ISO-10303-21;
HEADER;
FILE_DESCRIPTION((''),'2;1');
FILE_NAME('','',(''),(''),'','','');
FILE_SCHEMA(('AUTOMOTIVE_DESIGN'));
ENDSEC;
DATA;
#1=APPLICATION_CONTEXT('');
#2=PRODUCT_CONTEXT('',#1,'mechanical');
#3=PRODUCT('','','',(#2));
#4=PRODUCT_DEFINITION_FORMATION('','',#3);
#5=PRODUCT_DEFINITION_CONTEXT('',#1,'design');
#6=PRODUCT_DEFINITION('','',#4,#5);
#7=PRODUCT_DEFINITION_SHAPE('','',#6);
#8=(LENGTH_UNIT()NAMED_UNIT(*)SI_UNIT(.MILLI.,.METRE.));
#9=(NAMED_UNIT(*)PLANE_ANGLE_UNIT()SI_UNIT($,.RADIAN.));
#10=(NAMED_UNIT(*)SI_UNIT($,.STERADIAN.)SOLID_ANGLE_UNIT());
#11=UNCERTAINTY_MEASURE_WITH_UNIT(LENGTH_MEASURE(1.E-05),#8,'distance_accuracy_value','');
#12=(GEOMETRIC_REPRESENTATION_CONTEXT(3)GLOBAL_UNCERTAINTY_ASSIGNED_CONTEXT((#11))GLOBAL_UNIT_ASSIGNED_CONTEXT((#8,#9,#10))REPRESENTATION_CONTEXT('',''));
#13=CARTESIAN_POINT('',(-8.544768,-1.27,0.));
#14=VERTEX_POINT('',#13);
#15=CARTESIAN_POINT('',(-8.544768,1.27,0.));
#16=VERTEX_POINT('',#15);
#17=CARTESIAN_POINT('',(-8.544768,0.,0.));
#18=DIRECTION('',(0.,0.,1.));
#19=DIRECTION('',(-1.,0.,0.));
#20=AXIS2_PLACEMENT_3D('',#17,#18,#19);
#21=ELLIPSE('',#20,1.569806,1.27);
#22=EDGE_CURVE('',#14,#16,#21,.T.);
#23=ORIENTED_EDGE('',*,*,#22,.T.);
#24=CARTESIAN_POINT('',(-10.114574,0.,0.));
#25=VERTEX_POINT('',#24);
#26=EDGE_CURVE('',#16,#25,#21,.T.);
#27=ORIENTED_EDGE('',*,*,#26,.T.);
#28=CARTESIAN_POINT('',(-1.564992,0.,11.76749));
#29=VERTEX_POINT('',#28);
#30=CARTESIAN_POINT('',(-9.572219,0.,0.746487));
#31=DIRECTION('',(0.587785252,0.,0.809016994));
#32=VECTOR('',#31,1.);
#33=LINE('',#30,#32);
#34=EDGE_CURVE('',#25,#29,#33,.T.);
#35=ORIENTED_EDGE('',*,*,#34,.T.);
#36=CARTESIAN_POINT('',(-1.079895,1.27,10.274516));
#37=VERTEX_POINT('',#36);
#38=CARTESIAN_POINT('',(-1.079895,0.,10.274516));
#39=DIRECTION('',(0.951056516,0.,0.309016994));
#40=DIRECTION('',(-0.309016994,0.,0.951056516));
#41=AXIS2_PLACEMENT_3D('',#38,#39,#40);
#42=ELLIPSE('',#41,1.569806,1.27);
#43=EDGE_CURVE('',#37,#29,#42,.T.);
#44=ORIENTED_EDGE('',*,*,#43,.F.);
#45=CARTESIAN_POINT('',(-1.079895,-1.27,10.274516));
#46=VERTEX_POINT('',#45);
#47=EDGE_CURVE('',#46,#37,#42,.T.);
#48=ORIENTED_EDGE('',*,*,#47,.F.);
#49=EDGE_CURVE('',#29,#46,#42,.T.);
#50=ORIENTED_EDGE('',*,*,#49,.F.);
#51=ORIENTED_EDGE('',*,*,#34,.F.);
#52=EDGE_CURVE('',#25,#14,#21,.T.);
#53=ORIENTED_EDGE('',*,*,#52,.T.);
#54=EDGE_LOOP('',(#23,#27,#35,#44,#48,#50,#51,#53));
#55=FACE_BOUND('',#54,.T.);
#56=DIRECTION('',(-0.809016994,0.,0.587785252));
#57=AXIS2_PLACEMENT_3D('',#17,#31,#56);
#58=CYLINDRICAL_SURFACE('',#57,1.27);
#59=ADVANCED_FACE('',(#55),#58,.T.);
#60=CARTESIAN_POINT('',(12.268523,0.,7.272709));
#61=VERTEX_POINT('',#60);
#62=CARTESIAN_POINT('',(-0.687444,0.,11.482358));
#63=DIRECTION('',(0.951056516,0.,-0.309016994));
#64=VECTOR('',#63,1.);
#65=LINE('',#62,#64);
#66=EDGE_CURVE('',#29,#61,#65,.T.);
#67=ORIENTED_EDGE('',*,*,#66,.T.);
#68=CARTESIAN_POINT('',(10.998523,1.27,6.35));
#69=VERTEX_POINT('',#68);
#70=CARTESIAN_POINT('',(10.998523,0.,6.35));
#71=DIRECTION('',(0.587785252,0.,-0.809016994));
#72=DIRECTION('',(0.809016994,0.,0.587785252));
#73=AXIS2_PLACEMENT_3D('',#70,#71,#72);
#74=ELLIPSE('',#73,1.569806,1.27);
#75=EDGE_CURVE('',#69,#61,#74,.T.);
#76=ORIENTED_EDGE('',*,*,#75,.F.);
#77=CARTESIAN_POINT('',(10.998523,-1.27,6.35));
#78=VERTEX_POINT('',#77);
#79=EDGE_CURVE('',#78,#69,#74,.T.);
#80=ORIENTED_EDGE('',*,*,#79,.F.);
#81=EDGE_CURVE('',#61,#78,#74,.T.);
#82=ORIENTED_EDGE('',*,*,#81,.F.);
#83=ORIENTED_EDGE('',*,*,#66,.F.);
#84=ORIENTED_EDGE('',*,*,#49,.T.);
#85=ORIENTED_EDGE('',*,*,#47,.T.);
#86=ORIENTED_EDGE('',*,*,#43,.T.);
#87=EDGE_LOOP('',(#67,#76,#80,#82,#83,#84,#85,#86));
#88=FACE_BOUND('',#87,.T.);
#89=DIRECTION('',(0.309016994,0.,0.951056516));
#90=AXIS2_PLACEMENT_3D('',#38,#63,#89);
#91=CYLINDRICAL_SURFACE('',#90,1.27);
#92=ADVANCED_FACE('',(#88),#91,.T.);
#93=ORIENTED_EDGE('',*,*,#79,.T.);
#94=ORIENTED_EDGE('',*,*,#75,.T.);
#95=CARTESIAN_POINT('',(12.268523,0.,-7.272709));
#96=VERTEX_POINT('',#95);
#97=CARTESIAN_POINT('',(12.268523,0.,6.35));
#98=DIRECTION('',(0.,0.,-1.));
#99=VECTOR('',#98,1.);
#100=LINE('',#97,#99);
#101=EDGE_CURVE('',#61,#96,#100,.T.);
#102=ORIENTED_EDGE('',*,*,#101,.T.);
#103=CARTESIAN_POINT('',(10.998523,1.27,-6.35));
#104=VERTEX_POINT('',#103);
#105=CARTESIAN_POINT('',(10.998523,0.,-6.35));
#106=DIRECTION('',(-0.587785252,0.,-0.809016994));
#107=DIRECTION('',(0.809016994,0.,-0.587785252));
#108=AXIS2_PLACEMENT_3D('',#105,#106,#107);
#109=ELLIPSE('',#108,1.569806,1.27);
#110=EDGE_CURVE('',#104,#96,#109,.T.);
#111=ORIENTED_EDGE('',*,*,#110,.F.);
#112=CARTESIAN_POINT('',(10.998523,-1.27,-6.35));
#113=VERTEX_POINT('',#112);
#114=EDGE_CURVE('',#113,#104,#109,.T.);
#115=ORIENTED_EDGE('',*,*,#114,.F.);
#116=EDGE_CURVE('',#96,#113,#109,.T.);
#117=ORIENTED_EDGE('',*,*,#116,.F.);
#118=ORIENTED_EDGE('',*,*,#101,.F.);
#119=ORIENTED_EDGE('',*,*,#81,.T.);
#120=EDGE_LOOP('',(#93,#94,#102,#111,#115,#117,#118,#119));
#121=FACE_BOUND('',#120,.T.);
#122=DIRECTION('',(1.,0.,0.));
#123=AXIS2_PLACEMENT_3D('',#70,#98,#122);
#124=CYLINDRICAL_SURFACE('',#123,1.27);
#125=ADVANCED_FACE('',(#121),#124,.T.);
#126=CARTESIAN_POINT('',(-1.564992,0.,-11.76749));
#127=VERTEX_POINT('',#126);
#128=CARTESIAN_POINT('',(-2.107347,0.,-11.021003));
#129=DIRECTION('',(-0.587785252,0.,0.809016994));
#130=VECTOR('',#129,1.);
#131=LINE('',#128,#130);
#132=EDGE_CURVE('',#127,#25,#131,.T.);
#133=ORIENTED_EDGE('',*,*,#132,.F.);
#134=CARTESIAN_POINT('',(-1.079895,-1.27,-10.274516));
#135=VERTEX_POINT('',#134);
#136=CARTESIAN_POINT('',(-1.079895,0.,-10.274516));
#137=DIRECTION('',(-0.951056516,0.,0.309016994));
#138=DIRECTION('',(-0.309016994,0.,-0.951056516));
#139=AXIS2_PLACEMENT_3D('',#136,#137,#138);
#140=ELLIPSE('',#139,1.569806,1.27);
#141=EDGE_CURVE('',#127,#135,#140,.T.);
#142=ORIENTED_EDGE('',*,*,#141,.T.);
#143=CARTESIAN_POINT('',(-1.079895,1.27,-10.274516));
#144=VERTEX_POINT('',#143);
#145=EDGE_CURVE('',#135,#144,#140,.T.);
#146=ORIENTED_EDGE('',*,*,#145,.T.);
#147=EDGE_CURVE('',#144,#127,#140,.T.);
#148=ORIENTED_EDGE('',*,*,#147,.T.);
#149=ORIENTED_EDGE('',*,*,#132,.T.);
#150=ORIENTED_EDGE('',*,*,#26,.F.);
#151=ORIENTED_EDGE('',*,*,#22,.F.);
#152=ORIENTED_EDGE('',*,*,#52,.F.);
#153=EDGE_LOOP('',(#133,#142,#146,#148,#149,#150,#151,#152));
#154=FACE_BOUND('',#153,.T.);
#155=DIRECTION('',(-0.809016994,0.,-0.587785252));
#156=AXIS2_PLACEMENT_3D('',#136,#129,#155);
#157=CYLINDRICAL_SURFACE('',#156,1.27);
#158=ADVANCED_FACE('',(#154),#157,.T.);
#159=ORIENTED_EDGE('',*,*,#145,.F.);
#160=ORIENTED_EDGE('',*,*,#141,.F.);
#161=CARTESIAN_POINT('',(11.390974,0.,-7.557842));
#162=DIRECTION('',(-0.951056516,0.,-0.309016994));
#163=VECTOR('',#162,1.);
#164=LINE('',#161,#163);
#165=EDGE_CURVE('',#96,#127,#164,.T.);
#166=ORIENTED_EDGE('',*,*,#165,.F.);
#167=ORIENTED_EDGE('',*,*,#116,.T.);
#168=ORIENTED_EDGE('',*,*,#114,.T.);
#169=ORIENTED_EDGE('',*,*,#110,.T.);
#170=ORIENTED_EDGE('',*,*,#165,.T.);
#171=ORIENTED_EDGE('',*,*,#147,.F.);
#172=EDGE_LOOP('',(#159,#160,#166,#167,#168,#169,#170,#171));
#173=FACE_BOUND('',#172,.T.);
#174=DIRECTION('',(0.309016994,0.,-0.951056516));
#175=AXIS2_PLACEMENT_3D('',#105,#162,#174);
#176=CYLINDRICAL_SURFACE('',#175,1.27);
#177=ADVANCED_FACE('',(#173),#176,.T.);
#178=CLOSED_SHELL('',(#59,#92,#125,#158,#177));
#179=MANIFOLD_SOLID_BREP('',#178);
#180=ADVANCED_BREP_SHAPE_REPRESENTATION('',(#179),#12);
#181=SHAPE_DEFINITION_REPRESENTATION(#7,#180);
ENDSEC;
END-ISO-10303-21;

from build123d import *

# Parameters (mm, degrees)
F2_R = 1.27


with BuildPart() as f3:
    # F3: sweep along a path in F1
    with BuildLine(Plane.XZ) as f3_path:
        Line((10.9985226281, 6.35), (10.9985226281, -6.35))
        Line((10.9985226281, -6.35), (-1.0798951289, -10.2745158286))
        Line((-1.0798951289, -10.2745158286), (-8.544767833, 0))
        Line((-8.544767833, 0), (-1.0798951289, 10.2745158286))
        Line((-1.0798951289, 10.2745158286), (10.9985226281, 6.35))
    # F2 (on Top) → F3 (sweep)
    with BuildSketch(Plane.XY):
        with Locations((10.9985226281, 0)):
            Circle(F2_R)
    sweep(path=f3_path.line, transition=Transition.RIGHT)


solid = f3.part
